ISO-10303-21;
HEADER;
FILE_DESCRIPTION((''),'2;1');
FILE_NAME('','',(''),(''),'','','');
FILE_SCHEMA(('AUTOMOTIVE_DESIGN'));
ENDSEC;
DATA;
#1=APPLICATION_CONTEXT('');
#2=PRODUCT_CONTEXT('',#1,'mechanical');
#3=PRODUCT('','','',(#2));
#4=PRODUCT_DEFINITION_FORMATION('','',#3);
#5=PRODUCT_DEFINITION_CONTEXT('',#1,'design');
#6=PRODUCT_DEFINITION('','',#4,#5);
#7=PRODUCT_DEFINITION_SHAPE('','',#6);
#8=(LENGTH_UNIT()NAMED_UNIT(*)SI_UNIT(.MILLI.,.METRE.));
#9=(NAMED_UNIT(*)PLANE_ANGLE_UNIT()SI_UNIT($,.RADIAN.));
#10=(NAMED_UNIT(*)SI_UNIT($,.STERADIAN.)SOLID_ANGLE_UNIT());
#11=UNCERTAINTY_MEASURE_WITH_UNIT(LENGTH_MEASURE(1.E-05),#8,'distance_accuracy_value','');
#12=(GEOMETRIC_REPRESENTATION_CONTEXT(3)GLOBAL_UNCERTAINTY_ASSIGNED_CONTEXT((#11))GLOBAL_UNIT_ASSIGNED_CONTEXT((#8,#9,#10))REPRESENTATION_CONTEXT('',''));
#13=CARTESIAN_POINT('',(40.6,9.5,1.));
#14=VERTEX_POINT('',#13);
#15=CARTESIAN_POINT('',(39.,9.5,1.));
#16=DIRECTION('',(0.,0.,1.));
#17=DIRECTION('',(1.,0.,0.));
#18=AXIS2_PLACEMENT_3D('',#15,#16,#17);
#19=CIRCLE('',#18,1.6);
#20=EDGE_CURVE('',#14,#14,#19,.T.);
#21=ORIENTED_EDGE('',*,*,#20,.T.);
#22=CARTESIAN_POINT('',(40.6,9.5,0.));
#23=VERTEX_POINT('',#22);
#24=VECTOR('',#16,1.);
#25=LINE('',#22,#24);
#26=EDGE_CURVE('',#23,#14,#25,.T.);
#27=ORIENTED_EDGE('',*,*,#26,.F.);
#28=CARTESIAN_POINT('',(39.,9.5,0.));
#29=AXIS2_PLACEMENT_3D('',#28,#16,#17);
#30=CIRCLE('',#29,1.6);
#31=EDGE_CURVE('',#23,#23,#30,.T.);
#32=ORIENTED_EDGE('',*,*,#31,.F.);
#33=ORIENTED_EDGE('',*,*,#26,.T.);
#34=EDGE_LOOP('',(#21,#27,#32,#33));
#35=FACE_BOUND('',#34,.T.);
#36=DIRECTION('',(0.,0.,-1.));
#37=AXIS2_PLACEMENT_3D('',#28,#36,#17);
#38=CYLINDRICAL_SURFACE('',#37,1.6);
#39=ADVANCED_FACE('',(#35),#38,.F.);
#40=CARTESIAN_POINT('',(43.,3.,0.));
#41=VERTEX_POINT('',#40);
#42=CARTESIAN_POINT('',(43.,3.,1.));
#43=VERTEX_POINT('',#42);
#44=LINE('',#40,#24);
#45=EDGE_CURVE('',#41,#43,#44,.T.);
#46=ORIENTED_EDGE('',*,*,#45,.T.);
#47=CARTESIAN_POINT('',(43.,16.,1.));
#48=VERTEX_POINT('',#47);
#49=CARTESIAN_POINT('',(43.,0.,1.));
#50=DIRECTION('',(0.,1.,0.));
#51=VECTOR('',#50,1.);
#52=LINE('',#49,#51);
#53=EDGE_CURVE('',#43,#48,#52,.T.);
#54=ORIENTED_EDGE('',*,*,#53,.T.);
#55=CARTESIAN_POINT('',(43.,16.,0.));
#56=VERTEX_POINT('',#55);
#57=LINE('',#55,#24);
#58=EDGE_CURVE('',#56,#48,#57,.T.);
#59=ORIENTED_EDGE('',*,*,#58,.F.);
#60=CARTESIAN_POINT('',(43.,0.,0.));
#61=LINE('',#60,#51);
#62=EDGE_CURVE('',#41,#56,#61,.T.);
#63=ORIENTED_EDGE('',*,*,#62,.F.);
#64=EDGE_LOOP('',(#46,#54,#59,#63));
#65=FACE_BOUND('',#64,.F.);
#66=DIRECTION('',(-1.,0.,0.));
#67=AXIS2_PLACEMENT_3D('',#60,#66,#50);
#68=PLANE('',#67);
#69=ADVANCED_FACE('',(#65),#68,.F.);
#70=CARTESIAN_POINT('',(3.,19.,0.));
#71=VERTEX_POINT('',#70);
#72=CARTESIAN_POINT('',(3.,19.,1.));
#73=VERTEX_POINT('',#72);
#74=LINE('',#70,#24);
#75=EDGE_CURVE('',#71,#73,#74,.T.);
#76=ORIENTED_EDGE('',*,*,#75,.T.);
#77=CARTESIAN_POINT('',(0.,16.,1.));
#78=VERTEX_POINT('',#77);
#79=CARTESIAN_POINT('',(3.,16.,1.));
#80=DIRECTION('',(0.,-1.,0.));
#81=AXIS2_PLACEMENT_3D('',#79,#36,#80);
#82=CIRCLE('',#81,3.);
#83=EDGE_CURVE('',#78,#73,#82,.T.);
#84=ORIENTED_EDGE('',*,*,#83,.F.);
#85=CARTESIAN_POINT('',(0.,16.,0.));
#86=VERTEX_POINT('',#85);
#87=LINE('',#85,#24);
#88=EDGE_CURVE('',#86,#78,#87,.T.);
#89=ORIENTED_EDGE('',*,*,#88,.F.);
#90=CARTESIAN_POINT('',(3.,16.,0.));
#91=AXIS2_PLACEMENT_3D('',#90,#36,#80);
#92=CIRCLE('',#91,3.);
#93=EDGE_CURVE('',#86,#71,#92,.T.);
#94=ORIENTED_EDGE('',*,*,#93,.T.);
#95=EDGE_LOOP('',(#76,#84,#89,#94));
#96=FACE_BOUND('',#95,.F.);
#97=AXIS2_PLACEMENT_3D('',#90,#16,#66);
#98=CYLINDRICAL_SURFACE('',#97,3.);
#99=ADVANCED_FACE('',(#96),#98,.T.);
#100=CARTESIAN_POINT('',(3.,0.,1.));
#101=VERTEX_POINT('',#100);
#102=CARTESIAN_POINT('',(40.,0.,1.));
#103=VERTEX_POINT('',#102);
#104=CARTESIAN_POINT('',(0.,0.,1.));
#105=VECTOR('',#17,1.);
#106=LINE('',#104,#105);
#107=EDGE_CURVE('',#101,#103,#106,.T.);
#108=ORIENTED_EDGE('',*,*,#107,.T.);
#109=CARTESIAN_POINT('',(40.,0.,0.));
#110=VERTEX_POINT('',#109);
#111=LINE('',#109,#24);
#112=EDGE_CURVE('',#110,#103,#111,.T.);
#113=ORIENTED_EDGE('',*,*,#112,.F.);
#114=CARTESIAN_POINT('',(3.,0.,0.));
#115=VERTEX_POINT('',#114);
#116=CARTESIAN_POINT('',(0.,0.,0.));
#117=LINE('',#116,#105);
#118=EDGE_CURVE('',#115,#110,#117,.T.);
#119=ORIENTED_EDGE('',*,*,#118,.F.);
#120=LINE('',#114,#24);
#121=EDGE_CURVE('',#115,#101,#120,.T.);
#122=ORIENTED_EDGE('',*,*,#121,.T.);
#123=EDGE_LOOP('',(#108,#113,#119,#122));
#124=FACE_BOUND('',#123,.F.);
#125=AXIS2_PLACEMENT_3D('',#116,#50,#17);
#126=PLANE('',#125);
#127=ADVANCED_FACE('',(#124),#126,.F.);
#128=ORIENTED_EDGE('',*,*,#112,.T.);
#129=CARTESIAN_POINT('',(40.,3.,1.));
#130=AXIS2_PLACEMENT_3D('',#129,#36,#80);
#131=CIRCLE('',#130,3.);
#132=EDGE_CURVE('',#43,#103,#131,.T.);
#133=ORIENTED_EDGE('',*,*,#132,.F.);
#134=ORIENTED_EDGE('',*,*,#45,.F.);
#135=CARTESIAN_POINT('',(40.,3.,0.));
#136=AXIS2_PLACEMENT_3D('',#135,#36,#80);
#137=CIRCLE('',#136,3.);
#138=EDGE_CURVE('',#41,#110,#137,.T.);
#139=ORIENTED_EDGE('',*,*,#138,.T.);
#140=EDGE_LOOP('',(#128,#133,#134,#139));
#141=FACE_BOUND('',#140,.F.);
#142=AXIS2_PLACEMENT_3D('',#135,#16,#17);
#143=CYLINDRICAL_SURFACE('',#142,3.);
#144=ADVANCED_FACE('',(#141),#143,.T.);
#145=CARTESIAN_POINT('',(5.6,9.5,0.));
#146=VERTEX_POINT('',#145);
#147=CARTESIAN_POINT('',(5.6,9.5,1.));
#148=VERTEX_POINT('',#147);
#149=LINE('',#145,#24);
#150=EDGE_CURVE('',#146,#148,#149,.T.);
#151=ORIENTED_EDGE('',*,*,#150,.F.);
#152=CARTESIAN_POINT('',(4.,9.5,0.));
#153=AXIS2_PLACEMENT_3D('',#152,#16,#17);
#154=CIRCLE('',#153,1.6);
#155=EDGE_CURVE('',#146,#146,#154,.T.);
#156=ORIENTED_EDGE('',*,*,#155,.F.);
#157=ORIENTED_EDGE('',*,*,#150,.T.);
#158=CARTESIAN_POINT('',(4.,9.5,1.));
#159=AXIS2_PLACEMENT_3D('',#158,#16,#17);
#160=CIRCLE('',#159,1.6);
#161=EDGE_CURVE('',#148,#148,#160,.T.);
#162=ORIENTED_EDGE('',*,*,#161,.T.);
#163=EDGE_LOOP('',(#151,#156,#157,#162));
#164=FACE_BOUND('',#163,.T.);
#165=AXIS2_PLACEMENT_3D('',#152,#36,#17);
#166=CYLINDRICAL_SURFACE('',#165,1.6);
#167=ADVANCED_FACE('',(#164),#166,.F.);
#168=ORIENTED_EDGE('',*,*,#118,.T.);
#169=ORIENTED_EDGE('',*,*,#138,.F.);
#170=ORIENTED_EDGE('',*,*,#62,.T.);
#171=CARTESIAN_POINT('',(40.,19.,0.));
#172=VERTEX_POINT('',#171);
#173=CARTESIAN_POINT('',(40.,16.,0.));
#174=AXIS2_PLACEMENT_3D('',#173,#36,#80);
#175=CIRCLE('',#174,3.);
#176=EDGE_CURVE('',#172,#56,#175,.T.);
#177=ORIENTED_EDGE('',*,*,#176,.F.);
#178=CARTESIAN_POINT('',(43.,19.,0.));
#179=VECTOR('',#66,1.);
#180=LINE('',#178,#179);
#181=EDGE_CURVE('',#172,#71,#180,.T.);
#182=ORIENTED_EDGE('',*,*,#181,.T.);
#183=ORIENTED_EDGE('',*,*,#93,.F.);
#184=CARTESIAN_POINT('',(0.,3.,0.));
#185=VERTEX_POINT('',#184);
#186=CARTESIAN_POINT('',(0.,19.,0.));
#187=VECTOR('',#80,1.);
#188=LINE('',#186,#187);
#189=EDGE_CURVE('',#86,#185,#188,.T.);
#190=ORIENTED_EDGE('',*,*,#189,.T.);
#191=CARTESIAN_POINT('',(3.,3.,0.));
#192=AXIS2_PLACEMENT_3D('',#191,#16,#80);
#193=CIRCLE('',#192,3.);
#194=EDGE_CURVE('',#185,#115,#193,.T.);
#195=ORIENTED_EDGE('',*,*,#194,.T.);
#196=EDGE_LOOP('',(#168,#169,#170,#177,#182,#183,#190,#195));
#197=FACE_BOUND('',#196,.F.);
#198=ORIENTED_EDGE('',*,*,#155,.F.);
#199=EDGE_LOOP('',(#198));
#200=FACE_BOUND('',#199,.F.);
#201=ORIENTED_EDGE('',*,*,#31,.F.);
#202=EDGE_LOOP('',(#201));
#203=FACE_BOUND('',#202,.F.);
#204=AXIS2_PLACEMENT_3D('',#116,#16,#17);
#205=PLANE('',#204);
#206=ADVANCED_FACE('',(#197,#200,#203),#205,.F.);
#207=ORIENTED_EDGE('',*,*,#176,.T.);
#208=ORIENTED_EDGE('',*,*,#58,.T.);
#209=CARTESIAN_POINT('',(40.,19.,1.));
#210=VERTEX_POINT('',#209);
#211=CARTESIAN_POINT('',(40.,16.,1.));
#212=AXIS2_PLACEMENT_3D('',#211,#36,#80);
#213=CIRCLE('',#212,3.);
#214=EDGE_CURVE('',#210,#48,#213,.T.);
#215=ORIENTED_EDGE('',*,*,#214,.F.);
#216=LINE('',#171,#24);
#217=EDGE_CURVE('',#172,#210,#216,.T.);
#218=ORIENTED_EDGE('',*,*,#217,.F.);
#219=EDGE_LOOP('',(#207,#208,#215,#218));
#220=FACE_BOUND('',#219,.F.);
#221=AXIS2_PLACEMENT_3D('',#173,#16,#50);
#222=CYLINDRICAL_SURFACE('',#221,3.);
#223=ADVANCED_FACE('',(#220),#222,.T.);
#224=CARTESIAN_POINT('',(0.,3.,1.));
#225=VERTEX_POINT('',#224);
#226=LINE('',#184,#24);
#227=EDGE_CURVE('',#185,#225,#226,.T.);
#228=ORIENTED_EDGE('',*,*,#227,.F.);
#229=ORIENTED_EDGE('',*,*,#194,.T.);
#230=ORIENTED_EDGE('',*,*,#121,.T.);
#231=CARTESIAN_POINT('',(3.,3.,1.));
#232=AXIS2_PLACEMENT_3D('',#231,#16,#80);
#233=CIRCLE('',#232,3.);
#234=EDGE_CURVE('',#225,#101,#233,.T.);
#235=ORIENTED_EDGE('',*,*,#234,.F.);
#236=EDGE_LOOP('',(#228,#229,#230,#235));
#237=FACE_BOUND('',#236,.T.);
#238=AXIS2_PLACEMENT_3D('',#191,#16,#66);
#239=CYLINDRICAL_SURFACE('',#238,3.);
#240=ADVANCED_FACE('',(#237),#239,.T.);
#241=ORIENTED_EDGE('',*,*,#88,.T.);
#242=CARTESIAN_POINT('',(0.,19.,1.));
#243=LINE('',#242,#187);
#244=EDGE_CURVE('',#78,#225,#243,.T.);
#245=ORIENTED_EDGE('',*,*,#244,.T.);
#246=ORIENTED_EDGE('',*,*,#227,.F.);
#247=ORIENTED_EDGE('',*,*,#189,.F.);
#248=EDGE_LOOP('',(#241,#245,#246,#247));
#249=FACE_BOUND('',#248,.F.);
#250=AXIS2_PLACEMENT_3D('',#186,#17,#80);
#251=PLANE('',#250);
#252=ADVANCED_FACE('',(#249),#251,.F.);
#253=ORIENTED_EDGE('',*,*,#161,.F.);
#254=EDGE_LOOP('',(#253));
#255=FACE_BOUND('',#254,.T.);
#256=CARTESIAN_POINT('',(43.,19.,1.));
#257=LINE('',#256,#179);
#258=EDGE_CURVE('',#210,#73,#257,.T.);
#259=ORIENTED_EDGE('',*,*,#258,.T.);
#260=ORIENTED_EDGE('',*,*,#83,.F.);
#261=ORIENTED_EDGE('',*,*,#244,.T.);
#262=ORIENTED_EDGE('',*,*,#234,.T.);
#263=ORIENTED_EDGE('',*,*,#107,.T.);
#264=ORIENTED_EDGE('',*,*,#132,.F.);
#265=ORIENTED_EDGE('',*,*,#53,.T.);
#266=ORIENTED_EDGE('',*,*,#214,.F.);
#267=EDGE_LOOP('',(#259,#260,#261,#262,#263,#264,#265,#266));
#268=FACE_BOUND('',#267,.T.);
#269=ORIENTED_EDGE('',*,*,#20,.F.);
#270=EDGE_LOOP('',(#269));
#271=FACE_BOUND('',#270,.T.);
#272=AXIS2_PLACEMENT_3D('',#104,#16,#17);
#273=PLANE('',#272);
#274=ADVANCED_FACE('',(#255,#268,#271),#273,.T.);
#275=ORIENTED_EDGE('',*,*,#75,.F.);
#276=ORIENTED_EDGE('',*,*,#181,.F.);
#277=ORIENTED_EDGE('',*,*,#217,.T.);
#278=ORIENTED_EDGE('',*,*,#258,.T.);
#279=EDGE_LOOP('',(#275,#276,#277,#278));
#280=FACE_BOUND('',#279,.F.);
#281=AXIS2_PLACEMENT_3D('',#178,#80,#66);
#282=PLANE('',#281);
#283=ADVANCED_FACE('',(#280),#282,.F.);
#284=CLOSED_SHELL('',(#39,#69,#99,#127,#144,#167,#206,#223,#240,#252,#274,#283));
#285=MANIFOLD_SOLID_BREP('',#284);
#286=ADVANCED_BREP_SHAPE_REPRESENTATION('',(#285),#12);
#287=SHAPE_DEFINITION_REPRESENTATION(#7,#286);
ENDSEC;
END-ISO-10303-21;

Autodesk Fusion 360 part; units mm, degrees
sketch "Sketch1" plane through (0, 0, 0) normal (0, 0, 1) x (1, 0, 0)
  line L0 (0, 0) -> (43, 0)
  line L1 (43, 0) -> (43, 19)
  line L2 (43, 19) -> (0, 19)
  line L3 (0, 19) -> (0, 0)
  circle A0 centre (39, 9.5) radius 1.6
  circle A1 centre (4, 9.5) radius 1.6
  dimension "d1" = 43
  dimension "d2" = 19
  dimension "d3" = 3.2
  dimension "d4" = 3.2
  dimension "d5" = 4
  dimension "d6" = 4
  dimension "d17" = 9.5
  dimension "d18" = 9.5
extrude "Extrude1" add sketch "Sketch1" along normal blind 1
fillet "Fillet1" radius 3 1 edges at (43, 19, 0.5)
fillet "Fillet1" radius 3 1 edges at (0, 19, 0.5)
fillet "Fillet1" radius 3 1 edges at (0, 0, 0.5)
fillet "Fillet1" radius 3 1 edges at (43, 0, 0.5)
